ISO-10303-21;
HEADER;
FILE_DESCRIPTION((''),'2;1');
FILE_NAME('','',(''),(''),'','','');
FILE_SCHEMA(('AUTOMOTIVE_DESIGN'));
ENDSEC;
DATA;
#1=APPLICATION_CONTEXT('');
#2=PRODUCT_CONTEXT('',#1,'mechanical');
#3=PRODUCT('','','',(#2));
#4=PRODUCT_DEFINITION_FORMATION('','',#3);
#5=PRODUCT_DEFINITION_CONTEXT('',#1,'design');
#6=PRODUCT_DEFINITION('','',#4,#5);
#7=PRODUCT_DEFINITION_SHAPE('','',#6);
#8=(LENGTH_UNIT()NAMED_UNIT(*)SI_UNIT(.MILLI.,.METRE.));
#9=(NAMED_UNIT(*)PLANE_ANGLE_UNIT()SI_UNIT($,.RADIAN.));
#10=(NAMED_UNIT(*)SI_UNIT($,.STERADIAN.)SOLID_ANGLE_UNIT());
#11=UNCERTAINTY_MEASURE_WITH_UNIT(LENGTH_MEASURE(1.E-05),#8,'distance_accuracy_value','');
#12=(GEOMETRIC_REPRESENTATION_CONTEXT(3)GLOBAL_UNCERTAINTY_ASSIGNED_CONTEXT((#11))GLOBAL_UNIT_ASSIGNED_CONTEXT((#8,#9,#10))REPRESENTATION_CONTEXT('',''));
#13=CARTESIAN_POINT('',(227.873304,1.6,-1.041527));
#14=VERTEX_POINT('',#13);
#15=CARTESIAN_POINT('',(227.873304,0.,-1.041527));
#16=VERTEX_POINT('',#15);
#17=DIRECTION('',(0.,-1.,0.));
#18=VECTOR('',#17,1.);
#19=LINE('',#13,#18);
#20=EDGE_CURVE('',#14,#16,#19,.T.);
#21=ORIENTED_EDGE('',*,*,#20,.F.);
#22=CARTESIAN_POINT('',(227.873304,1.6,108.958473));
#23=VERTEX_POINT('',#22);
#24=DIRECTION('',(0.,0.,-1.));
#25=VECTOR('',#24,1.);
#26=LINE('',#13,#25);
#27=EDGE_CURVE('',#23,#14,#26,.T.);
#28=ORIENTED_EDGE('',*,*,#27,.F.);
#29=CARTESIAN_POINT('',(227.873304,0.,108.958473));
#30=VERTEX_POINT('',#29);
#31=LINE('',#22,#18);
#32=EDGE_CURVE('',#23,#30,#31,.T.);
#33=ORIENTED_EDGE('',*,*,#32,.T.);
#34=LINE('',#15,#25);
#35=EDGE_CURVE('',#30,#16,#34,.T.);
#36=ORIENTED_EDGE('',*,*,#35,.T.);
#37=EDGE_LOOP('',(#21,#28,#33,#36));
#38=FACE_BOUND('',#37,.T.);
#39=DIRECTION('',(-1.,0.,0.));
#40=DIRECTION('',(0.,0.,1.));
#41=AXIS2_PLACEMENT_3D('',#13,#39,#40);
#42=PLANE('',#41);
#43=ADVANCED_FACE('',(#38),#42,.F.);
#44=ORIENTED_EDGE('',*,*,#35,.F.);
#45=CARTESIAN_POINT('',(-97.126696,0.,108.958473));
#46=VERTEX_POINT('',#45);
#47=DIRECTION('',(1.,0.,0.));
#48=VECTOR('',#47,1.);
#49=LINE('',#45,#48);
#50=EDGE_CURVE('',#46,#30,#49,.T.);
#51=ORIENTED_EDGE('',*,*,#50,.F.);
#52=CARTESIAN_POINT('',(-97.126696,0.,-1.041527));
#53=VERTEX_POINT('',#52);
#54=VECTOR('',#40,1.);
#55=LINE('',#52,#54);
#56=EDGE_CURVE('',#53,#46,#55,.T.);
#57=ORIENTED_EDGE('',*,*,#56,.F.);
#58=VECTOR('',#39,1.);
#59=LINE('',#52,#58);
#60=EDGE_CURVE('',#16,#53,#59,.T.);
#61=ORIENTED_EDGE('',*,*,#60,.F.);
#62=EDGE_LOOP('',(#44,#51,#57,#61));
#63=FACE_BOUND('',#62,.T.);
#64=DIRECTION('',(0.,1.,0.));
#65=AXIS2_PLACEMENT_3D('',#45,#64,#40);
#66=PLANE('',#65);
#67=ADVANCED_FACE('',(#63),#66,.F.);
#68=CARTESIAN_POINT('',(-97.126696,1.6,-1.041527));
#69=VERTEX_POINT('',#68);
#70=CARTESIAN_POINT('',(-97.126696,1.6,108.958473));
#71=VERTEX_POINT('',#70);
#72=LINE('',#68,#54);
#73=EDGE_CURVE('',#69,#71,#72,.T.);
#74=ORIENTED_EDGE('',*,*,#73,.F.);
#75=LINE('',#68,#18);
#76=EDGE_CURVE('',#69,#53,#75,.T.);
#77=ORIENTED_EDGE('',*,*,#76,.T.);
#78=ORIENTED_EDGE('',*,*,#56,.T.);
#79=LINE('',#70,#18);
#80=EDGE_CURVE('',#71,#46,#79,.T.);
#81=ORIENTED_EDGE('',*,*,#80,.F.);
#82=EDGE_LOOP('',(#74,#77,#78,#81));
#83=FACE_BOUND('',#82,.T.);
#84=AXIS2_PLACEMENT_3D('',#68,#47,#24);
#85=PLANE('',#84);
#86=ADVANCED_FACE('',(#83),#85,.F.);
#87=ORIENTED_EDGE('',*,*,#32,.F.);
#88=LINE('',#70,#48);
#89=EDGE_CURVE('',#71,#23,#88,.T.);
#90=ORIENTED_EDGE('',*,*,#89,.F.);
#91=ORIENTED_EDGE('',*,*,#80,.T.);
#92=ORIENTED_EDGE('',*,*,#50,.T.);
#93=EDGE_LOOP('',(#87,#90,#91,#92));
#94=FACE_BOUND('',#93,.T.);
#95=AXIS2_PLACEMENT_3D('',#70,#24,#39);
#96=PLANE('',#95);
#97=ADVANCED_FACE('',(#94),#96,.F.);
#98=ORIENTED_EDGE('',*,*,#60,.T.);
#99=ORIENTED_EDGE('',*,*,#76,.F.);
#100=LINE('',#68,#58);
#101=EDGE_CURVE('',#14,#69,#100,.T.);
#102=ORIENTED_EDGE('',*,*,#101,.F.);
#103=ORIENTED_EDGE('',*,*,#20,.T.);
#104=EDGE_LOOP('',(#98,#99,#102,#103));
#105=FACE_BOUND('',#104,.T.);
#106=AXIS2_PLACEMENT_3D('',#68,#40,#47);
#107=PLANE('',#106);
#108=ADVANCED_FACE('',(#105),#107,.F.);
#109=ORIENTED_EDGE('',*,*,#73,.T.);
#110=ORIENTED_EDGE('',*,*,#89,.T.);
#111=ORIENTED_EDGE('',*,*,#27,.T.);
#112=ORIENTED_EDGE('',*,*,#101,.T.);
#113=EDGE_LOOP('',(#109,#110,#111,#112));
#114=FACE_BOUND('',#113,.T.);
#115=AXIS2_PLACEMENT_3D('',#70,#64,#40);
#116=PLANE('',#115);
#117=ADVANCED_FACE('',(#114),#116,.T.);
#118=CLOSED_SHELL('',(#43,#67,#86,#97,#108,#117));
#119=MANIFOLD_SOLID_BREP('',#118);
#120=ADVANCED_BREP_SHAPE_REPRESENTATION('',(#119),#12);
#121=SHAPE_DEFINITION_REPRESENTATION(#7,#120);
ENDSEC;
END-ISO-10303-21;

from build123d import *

# Parameters (mm, degrees)
SKETCH1_W      = 325
SKETCH1_H      = 110
EXTRUDE1_DEPTH = 1.6


with BuildPart() as part:
    # Sketch1 → Extrude1 (new body)
    with BuildSketch(Plane(origin=(0, 0, 0), x_dir=(1, 0, 0), z_dir=(0, 1, 0))):
        with Locations((65.373304473, -53.958472608)):
            Rectangle(SKETCH1_W, SKETCH1_H)
    extrude(amount=EXTRUDE1_DEPTH)


solid = part.part
